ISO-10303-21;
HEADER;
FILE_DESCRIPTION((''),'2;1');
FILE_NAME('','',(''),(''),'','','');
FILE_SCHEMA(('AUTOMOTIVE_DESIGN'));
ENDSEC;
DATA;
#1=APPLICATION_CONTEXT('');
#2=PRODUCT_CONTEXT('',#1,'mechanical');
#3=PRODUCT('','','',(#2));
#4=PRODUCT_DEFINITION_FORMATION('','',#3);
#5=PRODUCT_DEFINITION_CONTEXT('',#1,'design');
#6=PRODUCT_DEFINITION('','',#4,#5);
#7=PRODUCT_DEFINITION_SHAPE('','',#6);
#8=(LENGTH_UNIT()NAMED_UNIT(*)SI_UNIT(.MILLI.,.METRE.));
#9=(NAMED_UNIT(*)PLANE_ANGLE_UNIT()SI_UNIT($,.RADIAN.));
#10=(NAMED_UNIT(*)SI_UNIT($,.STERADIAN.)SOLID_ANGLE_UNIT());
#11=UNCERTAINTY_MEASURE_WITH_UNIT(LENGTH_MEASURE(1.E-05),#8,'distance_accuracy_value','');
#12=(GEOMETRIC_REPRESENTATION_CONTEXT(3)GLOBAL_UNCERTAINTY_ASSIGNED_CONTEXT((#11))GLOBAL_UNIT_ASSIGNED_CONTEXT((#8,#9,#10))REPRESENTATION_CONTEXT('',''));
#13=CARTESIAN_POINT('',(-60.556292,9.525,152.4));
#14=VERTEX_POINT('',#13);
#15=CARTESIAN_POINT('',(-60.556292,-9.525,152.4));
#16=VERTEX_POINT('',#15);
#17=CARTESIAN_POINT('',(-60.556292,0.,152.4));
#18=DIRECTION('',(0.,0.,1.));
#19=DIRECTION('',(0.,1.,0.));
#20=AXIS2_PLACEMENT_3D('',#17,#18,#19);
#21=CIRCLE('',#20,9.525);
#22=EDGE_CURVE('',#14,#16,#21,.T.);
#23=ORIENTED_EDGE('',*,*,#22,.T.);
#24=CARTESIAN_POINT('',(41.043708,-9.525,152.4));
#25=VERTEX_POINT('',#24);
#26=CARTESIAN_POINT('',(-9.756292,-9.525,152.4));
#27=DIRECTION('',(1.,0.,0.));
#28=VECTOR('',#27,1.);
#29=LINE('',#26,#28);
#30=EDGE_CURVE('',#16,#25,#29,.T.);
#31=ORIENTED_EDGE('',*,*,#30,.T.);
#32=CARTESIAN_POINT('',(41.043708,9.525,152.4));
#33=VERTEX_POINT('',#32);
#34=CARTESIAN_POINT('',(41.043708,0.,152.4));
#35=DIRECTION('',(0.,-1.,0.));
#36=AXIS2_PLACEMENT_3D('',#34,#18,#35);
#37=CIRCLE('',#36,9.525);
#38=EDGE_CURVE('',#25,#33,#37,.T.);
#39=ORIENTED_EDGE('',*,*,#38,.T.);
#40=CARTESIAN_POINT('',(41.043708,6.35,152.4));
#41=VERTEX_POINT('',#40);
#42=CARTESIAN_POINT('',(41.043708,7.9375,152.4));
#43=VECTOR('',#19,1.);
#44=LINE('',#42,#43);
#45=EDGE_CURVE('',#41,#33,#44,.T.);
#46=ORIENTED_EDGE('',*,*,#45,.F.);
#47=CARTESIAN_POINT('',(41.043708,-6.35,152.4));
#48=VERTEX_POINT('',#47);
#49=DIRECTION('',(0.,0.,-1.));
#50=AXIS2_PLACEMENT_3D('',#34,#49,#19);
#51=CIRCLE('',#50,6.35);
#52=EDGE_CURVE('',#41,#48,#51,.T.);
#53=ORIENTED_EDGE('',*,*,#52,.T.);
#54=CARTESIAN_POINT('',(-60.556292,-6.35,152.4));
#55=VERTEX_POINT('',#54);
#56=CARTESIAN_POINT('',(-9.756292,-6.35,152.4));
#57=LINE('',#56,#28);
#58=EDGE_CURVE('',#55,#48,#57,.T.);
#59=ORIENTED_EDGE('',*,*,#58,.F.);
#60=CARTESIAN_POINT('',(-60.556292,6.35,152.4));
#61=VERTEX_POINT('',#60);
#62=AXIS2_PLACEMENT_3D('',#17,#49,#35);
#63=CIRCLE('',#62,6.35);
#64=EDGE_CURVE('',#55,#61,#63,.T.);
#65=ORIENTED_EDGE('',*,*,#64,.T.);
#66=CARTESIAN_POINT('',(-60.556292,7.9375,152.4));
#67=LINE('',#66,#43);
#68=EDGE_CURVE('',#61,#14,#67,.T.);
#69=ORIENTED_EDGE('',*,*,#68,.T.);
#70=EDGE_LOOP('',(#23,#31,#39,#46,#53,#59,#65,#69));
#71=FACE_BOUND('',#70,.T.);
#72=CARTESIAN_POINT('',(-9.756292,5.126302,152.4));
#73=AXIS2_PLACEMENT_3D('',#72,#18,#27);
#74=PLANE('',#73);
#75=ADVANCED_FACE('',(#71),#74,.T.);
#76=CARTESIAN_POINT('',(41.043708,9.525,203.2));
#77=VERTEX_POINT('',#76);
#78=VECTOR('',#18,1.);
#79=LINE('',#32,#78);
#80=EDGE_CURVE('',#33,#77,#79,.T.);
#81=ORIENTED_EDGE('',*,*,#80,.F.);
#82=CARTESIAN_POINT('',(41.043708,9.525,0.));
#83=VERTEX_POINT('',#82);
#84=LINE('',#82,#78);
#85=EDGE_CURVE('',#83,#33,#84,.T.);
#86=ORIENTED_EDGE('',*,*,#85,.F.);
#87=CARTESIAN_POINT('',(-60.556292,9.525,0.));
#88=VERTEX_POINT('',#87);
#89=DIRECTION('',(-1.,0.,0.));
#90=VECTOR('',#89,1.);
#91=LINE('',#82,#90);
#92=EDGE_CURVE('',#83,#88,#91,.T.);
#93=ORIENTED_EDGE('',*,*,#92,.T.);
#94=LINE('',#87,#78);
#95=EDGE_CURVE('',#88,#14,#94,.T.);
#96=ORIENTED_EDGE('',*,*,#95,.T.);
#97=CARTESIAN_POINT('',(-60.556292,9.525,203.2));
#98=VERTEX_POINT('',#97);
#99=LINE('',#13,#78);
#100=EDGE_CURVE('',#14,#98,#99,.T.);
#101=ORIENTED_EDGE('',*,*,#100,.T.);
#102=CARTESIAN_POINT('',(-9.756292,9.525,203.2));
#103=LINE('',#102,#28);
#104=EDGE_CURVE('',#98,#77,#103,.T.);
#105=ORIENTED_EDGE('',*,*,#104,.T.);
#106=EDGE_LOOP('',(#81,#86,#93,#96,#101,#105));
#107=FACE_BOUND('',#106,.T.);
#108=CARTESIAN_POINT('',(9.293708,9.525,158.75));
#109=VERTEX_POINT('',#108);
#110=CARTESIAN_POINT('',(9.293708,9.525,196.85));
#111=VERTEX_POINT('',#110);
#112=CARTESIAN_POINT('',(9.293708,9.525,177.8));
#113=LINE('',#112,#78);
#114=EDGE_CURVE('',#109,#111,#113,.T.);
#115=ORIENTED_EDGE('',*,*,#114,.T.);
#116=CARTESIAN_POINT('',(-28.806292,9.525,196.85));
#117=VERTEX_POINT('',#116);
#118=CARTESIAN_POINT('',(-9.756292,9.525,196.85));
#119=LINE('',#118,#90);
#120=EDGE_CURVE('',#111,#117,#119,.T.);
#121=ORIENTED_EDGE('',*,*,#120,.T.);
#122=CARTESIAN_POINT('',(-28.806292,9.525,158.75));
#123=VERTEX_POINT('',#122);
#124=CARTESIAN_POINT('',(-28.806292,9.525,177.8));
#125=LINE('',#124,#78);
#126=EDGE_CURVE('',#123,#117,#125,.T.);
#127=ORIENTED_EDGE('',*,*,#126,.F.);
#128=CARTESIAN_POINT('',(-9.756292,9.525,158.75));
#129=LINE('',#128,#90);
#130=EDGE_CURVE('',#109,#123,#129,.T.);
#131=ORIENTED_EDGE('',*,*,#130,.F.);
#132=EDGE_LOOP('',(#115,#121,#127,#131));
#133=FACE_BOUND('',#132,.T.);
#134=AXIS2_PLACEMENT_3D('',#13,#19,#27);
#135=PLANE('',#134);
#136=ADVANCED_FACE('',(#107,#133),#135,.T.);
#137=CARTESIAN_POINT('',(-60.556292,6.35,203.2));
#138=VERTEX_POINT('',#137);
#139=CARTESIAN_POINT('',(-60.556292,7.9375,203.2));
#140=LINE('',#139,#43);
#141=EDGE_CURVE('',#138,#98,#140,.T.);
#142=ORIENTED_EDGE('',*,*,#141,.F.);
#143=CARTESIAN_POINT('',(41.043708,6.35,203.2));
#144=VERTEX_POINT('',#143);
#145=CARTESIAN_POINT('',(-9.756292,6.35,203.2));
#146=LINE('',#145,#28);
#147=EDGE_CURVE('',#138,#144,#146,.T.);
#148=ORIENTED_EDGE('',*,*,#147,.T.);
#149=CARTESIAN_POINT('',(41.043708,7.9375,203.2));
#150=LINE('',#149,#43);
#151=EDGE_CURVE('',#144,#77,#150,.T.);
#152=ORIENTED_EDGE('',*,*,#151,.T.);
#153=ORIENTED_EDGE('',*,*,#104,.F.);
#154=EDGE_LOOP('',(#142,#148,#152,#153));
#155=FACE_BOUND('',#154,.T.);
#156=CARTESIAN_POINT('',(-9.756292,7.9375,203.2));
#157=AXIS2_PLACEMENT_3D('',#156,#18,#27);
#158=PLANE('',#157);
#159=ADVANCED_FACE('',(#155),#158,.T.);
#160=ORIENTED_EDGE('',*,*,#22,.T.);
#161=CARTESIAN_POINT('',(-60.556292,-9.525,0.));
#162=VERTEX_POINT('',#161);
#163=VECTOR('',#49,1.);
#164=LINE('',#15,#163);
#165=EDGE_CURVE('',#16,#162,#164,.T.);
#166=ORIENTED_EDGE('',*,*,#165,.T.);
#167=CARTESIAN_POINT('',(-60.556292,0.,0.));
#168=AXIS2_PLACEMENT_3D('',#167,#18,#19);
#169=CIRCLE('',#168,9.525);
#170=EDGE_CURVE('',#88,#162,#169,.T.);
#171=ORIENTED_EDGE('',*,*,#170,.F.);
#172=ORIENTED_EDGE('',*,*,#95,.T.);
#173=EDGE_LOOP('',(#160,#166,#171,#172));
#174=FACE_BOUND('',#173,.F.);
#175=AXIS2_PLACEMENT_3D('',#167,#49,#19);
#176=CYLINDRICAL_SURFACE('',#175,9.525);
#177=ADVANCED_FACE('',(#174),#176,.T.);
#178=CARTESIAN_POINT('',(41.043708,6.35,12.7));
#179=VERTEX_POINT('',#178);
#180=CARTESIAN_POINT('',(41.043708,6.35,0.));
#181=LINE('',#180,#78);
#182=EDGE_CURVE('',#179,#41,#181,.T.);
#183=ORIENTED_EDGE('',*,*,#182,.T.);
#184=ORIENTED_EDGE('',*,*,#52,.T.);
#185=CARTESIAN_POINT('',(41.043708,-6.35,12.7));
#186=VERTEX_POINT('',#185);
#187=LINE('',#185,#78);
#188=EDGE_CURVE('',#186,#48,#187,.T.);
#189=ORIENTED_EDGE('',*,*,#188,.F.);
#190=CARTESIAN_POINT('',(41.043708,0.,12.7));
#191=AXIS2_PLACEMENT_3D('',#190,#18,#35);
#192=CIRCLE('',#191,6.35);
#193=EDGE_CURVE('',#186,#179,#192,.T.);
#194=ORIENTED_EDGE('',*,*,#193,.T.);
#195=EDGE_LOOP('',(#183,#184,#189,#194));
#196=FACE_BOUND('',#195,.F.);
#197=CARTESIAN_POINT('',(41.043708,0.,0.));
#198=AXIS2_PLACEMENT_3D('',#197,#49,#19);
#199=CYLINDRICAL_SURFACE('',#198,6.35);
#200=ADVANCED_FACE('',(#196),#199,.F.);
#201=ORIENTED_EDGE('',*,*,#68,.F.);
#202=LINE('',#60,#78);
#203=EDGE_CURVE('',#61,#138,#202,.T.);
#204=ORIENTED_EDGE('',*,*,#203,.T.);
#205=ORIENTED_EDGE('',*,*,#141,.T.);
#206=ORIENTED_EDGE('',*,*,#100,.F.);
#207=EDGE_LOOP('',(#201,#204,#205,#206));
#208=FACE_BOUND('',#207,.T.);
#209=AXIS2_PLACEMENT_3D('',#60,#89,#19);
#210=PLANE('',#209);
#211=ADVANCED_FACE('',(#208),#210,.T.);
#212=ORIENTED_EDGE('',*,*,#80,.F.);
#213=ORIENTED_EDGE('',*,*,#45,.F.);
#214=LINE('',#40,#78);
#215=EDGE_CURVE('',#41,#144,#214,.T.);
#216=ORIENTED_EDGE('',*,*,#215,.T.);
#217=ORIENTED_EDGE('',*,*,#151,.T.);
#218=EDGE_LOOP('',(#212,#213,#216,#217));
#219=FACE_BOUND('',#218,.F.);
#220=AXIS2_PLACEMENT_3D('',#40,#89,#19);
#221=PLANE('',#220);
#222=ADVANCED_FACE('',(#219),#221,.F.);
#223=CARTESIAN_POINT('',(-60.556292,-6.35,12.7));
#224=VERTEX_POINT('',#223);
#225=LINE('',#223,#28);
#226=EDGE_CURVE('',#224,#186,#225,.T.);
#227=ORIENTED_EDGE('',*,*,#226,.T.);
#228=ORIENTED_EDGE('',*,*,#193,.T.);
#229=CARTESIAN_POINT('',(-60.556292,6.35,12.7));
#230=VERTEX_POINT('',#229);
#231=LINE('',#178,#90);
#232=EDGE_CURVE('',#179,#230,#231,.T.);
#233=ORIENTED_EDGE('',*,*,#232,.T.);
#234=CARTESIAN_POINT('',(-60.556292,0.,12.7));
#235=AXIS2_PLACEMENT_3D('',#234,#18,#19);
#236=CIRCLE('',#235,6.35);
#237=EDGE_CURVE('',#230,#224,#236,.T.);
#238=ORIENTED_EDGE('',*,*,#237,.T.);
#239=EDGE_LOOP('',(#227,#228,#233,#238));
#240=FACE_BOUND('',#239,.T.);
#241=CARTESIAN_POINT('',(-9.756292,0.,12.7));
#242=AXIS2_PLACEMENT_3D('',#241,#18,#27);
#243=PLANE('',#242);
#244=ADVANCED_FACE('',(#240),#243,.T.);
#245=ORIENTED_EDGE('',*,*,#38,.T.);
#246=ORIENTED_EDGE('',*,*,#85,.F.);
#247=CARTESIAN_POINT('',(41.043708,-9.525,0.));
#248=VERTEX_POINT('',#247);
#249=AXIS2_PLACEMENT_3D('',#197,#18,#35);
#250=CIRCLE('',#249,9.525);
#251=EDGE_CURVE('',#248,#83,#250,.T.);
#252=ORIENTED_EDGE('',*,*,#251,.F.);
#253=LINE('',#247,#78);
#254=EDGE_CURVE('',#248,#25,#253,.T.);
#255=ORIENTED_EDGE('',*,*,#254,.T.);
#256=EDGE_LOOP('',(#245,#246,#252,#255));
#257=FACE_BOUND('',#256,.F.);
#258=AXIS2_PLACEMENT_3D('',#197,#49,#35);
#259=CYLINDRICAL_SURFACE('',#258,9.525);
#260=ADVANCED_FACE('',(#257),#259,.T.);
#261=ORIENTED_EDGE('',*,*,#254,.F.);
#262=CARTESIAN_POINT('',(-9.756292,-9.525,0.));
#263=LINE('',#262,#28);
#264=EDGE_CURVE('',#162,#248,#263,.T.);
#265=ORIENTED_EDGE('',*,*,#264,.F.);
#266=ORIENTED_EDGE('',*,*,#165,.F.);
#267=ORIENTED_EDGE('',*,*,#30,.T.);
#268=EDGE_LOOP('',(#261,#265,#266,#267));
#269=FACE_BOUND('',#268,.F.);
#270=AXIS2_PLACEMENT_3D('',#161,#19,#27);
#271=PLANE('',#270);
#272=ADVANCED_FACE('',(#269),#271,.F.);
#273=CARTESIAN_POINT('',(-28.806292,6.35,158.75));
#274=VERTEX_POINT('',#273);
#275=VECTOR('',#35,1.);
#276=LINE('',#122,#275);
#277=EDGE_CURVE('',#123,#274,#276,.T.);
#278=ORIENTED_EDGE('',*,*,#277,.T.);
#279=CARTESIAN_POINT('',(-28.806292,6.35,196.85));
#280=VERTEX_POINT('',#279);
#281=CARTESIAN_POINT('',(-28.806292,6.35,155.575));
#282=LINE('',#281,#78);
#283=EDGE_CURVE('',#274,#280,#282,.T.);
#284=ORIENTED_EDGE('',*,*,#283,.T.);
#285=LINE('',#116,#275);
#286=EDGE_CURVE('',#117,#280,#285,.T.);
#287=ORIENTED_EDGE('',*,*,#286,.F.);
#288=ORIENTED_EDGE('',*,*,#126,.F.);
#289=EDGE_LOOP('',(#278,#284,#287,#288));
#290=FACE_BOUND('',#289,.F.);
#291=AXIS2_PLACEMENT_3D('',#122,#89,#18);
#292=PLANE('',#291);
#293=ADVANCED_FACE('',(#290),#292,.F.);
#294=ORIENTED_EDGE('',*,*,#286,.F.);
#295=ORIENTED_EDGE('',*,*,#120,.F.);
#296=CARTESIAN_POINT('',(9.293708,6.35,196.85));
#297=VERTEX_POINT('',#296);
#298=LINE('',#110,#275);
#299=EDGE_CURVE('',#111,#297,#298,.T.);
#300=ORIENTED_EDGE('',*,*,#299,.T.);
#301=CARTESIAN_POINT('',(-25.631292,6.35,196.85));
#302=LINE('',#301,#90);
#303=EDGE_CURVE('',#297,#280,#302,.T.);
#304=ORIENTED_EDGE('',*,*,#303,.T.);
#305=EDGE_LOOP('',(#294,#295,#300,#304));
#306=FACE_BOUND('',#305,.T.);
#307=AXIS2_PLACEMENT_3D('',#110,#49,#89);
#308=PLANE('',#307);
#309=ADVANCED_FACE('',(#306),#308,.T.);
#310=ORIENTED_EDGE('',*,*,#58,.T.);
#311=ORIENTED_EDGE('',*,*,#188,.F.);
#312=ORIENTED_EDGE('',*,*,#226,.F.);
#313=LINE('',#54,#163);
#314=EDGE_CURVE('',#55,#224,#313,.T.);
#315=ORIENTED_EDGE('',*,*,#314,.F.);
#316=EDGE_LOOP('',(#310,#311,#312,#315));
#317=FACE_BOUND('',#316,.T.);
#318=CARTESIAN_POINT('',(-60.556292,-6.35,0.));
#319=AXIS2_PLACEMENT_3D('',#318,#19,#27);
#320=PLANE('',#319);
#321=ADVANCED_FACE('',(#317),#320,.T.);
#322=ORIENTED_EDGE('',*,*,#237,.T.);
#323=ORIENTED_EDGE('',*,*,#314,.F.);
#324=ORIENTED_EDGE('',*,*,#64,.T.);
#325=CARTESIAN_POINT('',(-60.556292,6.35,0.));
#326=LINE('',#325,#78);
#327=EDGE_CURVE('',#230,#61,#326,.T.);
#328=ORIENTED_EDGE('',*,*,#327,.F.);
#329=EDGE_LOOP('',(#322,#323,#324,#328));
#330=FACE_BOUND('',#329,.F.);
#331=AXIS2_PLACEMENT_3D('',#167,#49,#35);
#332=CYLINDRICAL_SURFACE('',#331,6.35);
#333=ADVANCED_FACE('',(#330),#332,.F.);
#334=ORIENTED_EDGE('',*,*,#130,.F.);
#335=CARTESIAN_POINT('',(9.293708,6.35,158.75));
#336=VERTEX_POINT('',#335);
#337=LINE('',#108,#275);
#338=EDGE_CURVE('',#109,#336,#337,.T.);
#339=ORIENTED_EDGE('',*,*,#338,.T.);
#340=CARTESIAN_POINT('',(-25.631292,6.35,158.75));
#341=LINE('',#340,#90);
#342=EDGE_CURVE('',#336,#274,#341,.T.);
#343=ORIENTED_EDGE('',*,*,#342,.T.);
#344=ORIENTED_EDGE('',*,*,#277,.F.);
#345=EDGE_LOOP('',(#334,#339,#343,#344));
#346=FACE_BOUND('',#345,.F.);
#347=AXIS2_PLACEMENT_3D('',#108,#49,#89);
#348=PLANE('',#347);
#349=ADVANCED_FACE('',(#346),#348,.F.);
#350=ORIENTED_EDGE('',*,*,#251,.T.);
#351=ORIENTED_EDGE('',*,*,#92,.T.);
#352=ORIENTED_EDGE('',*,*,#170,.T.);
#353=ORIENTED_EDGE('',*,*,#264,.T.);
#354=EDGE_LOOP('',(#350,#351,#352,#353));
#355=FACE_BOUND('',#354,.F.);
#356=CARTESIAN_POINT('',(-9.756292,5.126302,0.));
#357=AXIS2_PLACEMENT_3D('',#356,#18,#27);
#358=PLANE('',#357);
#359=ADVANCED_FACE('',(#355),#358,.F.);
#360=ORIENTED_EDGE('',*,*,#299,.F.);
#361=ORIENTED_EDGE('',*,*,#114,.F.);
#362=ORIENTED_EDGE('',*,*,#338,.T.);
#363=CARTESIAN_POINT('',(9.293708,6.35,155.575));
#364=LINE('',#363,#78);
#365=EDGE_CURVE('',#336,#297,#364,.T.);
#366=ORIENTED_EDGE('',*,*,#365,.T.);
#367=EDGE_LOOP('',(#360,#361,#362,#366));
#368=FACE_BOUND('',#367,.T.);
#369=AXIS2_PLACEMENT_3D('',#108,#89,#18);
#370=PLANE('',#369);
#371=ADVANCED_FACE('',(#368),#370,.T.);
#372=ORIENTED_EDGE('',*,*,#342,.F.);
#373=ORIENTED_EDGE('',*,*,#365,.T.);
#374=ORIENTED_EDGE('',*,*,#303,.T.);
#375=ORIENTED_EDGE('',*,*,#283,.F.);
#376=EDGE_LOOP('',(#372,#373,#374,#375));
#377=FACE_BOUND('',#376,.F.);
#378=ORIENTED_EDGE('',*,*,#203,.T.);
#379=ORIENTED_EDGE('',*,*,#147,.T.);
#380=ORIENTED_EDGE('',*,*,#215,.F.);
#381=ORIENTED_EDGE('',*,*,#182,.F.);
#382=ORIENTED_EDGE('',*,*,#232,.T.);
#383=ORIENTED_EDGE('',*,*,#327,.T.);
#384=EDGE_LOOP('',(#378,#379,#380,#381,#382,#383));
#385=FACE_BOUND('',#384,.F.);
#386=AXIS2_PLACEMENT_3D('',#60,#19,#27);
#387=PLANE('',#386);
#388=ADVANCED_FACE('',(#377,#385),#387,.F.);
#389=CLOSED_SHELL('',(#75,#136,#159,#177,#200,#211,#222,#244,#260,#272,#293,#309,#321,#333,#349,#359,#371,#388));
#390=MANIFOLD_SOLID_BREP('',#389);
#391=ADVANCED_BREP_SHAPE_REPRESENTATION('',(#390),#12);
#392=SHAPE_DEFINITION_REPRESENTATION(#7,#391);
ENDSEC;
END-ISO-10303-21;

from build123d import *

# Parameters (mm, degrees)
F1_DEPTH = 12.7
F0_W     = 101.6
F0_H     = 3.175
F2_DEPTH = 152.4
F3_DEPTH = 50.8
F4_W     = 101.6
F4_H     = 3.175
F5_DEPTH = 50.8
F6_W     = 38.1
F6_H     = 38.1
F7_DEPTH = 25.4


with BuildPart() as f1:
    # F0 (on Top) → F1 (new body)
    with BuildSketch(Plane.XY):
        with BuildLine():
            Line((41.043708, 6.35), (-60.556292, 6.35))
            ThreePointArc((-60.556292, 6.35), (-66.906292, 0), (-60.556292, -6.35))
            Line((-60.556292, -6.35), (41.043708, -6.35))
            ThreePointArc((41.043708, -6.35), (47.393708, 0), (41.043708, 6.35))
        make_face()
    extrude(amount=F1_DEPTH)

    # F0 (on Top) → F2 (join)
    with BuildSketch(Plane.XY):
        with BuildLine():
            ThreePointArc((-60.556292, -6.35), (-66.906292, 0), (-60.556292, 6.35))
            Line((-60.556292, 6.35), (41.043708, 6.35))
            ThreePointArc((41.043708, 6.35), (47.393708, 0), (41.043708, -6.35))
            Line((41.043708, -6.35), (41.043708, -9.525))
            ThreePointArc((41.043708, -9.525), (50.568708, 0), (41.043708, 9.525))
            Line((41.043708, 9.525), (-60.556292, 9.525))
            ThreePointArc((-60.556292, 9.525), (-70.081292, 0), (-60.556292, -9.525))
            Line((-60.556292, -9.525), (-60.556292, -6.35))
        make_face()
        with Locations((-9.756292, -7.9375)):
            Rectangle(F0_W, F0_H)
    extrude(amount=F2_DEPTH)

    # F0 (on Top) → F3 (join)
    with BuildSketch(Plane.XY):
        with Locations((-9.756292, -7.9375)):
            Rectangle(F0_W, F0_H)
    extrude(amount=F3_DEPTH)

    # F4 (on face) → F5 (join)
    with BuildSketch(Plane.XY.offset(152.4)):
        with Locations((-9.756292, 7.9375)):
            Rectangle(F4_W, F4_H)
    extrude(amount=F5_DEPTH)

    # F6 (on face) → F7 (cut)
    with BuildSketch(Plane(origin=(0, 9.525, 0), x_dir=(-1, 0, 0), z_dir=(0, 1, 0))):
        with Locations((9.756292, 177.8)):
            Rectangle(F6_W, F6_H)
    extrude(amount=-F7_DEPTH, mode=Mode.SUBTRACT)


solid = f1.part
